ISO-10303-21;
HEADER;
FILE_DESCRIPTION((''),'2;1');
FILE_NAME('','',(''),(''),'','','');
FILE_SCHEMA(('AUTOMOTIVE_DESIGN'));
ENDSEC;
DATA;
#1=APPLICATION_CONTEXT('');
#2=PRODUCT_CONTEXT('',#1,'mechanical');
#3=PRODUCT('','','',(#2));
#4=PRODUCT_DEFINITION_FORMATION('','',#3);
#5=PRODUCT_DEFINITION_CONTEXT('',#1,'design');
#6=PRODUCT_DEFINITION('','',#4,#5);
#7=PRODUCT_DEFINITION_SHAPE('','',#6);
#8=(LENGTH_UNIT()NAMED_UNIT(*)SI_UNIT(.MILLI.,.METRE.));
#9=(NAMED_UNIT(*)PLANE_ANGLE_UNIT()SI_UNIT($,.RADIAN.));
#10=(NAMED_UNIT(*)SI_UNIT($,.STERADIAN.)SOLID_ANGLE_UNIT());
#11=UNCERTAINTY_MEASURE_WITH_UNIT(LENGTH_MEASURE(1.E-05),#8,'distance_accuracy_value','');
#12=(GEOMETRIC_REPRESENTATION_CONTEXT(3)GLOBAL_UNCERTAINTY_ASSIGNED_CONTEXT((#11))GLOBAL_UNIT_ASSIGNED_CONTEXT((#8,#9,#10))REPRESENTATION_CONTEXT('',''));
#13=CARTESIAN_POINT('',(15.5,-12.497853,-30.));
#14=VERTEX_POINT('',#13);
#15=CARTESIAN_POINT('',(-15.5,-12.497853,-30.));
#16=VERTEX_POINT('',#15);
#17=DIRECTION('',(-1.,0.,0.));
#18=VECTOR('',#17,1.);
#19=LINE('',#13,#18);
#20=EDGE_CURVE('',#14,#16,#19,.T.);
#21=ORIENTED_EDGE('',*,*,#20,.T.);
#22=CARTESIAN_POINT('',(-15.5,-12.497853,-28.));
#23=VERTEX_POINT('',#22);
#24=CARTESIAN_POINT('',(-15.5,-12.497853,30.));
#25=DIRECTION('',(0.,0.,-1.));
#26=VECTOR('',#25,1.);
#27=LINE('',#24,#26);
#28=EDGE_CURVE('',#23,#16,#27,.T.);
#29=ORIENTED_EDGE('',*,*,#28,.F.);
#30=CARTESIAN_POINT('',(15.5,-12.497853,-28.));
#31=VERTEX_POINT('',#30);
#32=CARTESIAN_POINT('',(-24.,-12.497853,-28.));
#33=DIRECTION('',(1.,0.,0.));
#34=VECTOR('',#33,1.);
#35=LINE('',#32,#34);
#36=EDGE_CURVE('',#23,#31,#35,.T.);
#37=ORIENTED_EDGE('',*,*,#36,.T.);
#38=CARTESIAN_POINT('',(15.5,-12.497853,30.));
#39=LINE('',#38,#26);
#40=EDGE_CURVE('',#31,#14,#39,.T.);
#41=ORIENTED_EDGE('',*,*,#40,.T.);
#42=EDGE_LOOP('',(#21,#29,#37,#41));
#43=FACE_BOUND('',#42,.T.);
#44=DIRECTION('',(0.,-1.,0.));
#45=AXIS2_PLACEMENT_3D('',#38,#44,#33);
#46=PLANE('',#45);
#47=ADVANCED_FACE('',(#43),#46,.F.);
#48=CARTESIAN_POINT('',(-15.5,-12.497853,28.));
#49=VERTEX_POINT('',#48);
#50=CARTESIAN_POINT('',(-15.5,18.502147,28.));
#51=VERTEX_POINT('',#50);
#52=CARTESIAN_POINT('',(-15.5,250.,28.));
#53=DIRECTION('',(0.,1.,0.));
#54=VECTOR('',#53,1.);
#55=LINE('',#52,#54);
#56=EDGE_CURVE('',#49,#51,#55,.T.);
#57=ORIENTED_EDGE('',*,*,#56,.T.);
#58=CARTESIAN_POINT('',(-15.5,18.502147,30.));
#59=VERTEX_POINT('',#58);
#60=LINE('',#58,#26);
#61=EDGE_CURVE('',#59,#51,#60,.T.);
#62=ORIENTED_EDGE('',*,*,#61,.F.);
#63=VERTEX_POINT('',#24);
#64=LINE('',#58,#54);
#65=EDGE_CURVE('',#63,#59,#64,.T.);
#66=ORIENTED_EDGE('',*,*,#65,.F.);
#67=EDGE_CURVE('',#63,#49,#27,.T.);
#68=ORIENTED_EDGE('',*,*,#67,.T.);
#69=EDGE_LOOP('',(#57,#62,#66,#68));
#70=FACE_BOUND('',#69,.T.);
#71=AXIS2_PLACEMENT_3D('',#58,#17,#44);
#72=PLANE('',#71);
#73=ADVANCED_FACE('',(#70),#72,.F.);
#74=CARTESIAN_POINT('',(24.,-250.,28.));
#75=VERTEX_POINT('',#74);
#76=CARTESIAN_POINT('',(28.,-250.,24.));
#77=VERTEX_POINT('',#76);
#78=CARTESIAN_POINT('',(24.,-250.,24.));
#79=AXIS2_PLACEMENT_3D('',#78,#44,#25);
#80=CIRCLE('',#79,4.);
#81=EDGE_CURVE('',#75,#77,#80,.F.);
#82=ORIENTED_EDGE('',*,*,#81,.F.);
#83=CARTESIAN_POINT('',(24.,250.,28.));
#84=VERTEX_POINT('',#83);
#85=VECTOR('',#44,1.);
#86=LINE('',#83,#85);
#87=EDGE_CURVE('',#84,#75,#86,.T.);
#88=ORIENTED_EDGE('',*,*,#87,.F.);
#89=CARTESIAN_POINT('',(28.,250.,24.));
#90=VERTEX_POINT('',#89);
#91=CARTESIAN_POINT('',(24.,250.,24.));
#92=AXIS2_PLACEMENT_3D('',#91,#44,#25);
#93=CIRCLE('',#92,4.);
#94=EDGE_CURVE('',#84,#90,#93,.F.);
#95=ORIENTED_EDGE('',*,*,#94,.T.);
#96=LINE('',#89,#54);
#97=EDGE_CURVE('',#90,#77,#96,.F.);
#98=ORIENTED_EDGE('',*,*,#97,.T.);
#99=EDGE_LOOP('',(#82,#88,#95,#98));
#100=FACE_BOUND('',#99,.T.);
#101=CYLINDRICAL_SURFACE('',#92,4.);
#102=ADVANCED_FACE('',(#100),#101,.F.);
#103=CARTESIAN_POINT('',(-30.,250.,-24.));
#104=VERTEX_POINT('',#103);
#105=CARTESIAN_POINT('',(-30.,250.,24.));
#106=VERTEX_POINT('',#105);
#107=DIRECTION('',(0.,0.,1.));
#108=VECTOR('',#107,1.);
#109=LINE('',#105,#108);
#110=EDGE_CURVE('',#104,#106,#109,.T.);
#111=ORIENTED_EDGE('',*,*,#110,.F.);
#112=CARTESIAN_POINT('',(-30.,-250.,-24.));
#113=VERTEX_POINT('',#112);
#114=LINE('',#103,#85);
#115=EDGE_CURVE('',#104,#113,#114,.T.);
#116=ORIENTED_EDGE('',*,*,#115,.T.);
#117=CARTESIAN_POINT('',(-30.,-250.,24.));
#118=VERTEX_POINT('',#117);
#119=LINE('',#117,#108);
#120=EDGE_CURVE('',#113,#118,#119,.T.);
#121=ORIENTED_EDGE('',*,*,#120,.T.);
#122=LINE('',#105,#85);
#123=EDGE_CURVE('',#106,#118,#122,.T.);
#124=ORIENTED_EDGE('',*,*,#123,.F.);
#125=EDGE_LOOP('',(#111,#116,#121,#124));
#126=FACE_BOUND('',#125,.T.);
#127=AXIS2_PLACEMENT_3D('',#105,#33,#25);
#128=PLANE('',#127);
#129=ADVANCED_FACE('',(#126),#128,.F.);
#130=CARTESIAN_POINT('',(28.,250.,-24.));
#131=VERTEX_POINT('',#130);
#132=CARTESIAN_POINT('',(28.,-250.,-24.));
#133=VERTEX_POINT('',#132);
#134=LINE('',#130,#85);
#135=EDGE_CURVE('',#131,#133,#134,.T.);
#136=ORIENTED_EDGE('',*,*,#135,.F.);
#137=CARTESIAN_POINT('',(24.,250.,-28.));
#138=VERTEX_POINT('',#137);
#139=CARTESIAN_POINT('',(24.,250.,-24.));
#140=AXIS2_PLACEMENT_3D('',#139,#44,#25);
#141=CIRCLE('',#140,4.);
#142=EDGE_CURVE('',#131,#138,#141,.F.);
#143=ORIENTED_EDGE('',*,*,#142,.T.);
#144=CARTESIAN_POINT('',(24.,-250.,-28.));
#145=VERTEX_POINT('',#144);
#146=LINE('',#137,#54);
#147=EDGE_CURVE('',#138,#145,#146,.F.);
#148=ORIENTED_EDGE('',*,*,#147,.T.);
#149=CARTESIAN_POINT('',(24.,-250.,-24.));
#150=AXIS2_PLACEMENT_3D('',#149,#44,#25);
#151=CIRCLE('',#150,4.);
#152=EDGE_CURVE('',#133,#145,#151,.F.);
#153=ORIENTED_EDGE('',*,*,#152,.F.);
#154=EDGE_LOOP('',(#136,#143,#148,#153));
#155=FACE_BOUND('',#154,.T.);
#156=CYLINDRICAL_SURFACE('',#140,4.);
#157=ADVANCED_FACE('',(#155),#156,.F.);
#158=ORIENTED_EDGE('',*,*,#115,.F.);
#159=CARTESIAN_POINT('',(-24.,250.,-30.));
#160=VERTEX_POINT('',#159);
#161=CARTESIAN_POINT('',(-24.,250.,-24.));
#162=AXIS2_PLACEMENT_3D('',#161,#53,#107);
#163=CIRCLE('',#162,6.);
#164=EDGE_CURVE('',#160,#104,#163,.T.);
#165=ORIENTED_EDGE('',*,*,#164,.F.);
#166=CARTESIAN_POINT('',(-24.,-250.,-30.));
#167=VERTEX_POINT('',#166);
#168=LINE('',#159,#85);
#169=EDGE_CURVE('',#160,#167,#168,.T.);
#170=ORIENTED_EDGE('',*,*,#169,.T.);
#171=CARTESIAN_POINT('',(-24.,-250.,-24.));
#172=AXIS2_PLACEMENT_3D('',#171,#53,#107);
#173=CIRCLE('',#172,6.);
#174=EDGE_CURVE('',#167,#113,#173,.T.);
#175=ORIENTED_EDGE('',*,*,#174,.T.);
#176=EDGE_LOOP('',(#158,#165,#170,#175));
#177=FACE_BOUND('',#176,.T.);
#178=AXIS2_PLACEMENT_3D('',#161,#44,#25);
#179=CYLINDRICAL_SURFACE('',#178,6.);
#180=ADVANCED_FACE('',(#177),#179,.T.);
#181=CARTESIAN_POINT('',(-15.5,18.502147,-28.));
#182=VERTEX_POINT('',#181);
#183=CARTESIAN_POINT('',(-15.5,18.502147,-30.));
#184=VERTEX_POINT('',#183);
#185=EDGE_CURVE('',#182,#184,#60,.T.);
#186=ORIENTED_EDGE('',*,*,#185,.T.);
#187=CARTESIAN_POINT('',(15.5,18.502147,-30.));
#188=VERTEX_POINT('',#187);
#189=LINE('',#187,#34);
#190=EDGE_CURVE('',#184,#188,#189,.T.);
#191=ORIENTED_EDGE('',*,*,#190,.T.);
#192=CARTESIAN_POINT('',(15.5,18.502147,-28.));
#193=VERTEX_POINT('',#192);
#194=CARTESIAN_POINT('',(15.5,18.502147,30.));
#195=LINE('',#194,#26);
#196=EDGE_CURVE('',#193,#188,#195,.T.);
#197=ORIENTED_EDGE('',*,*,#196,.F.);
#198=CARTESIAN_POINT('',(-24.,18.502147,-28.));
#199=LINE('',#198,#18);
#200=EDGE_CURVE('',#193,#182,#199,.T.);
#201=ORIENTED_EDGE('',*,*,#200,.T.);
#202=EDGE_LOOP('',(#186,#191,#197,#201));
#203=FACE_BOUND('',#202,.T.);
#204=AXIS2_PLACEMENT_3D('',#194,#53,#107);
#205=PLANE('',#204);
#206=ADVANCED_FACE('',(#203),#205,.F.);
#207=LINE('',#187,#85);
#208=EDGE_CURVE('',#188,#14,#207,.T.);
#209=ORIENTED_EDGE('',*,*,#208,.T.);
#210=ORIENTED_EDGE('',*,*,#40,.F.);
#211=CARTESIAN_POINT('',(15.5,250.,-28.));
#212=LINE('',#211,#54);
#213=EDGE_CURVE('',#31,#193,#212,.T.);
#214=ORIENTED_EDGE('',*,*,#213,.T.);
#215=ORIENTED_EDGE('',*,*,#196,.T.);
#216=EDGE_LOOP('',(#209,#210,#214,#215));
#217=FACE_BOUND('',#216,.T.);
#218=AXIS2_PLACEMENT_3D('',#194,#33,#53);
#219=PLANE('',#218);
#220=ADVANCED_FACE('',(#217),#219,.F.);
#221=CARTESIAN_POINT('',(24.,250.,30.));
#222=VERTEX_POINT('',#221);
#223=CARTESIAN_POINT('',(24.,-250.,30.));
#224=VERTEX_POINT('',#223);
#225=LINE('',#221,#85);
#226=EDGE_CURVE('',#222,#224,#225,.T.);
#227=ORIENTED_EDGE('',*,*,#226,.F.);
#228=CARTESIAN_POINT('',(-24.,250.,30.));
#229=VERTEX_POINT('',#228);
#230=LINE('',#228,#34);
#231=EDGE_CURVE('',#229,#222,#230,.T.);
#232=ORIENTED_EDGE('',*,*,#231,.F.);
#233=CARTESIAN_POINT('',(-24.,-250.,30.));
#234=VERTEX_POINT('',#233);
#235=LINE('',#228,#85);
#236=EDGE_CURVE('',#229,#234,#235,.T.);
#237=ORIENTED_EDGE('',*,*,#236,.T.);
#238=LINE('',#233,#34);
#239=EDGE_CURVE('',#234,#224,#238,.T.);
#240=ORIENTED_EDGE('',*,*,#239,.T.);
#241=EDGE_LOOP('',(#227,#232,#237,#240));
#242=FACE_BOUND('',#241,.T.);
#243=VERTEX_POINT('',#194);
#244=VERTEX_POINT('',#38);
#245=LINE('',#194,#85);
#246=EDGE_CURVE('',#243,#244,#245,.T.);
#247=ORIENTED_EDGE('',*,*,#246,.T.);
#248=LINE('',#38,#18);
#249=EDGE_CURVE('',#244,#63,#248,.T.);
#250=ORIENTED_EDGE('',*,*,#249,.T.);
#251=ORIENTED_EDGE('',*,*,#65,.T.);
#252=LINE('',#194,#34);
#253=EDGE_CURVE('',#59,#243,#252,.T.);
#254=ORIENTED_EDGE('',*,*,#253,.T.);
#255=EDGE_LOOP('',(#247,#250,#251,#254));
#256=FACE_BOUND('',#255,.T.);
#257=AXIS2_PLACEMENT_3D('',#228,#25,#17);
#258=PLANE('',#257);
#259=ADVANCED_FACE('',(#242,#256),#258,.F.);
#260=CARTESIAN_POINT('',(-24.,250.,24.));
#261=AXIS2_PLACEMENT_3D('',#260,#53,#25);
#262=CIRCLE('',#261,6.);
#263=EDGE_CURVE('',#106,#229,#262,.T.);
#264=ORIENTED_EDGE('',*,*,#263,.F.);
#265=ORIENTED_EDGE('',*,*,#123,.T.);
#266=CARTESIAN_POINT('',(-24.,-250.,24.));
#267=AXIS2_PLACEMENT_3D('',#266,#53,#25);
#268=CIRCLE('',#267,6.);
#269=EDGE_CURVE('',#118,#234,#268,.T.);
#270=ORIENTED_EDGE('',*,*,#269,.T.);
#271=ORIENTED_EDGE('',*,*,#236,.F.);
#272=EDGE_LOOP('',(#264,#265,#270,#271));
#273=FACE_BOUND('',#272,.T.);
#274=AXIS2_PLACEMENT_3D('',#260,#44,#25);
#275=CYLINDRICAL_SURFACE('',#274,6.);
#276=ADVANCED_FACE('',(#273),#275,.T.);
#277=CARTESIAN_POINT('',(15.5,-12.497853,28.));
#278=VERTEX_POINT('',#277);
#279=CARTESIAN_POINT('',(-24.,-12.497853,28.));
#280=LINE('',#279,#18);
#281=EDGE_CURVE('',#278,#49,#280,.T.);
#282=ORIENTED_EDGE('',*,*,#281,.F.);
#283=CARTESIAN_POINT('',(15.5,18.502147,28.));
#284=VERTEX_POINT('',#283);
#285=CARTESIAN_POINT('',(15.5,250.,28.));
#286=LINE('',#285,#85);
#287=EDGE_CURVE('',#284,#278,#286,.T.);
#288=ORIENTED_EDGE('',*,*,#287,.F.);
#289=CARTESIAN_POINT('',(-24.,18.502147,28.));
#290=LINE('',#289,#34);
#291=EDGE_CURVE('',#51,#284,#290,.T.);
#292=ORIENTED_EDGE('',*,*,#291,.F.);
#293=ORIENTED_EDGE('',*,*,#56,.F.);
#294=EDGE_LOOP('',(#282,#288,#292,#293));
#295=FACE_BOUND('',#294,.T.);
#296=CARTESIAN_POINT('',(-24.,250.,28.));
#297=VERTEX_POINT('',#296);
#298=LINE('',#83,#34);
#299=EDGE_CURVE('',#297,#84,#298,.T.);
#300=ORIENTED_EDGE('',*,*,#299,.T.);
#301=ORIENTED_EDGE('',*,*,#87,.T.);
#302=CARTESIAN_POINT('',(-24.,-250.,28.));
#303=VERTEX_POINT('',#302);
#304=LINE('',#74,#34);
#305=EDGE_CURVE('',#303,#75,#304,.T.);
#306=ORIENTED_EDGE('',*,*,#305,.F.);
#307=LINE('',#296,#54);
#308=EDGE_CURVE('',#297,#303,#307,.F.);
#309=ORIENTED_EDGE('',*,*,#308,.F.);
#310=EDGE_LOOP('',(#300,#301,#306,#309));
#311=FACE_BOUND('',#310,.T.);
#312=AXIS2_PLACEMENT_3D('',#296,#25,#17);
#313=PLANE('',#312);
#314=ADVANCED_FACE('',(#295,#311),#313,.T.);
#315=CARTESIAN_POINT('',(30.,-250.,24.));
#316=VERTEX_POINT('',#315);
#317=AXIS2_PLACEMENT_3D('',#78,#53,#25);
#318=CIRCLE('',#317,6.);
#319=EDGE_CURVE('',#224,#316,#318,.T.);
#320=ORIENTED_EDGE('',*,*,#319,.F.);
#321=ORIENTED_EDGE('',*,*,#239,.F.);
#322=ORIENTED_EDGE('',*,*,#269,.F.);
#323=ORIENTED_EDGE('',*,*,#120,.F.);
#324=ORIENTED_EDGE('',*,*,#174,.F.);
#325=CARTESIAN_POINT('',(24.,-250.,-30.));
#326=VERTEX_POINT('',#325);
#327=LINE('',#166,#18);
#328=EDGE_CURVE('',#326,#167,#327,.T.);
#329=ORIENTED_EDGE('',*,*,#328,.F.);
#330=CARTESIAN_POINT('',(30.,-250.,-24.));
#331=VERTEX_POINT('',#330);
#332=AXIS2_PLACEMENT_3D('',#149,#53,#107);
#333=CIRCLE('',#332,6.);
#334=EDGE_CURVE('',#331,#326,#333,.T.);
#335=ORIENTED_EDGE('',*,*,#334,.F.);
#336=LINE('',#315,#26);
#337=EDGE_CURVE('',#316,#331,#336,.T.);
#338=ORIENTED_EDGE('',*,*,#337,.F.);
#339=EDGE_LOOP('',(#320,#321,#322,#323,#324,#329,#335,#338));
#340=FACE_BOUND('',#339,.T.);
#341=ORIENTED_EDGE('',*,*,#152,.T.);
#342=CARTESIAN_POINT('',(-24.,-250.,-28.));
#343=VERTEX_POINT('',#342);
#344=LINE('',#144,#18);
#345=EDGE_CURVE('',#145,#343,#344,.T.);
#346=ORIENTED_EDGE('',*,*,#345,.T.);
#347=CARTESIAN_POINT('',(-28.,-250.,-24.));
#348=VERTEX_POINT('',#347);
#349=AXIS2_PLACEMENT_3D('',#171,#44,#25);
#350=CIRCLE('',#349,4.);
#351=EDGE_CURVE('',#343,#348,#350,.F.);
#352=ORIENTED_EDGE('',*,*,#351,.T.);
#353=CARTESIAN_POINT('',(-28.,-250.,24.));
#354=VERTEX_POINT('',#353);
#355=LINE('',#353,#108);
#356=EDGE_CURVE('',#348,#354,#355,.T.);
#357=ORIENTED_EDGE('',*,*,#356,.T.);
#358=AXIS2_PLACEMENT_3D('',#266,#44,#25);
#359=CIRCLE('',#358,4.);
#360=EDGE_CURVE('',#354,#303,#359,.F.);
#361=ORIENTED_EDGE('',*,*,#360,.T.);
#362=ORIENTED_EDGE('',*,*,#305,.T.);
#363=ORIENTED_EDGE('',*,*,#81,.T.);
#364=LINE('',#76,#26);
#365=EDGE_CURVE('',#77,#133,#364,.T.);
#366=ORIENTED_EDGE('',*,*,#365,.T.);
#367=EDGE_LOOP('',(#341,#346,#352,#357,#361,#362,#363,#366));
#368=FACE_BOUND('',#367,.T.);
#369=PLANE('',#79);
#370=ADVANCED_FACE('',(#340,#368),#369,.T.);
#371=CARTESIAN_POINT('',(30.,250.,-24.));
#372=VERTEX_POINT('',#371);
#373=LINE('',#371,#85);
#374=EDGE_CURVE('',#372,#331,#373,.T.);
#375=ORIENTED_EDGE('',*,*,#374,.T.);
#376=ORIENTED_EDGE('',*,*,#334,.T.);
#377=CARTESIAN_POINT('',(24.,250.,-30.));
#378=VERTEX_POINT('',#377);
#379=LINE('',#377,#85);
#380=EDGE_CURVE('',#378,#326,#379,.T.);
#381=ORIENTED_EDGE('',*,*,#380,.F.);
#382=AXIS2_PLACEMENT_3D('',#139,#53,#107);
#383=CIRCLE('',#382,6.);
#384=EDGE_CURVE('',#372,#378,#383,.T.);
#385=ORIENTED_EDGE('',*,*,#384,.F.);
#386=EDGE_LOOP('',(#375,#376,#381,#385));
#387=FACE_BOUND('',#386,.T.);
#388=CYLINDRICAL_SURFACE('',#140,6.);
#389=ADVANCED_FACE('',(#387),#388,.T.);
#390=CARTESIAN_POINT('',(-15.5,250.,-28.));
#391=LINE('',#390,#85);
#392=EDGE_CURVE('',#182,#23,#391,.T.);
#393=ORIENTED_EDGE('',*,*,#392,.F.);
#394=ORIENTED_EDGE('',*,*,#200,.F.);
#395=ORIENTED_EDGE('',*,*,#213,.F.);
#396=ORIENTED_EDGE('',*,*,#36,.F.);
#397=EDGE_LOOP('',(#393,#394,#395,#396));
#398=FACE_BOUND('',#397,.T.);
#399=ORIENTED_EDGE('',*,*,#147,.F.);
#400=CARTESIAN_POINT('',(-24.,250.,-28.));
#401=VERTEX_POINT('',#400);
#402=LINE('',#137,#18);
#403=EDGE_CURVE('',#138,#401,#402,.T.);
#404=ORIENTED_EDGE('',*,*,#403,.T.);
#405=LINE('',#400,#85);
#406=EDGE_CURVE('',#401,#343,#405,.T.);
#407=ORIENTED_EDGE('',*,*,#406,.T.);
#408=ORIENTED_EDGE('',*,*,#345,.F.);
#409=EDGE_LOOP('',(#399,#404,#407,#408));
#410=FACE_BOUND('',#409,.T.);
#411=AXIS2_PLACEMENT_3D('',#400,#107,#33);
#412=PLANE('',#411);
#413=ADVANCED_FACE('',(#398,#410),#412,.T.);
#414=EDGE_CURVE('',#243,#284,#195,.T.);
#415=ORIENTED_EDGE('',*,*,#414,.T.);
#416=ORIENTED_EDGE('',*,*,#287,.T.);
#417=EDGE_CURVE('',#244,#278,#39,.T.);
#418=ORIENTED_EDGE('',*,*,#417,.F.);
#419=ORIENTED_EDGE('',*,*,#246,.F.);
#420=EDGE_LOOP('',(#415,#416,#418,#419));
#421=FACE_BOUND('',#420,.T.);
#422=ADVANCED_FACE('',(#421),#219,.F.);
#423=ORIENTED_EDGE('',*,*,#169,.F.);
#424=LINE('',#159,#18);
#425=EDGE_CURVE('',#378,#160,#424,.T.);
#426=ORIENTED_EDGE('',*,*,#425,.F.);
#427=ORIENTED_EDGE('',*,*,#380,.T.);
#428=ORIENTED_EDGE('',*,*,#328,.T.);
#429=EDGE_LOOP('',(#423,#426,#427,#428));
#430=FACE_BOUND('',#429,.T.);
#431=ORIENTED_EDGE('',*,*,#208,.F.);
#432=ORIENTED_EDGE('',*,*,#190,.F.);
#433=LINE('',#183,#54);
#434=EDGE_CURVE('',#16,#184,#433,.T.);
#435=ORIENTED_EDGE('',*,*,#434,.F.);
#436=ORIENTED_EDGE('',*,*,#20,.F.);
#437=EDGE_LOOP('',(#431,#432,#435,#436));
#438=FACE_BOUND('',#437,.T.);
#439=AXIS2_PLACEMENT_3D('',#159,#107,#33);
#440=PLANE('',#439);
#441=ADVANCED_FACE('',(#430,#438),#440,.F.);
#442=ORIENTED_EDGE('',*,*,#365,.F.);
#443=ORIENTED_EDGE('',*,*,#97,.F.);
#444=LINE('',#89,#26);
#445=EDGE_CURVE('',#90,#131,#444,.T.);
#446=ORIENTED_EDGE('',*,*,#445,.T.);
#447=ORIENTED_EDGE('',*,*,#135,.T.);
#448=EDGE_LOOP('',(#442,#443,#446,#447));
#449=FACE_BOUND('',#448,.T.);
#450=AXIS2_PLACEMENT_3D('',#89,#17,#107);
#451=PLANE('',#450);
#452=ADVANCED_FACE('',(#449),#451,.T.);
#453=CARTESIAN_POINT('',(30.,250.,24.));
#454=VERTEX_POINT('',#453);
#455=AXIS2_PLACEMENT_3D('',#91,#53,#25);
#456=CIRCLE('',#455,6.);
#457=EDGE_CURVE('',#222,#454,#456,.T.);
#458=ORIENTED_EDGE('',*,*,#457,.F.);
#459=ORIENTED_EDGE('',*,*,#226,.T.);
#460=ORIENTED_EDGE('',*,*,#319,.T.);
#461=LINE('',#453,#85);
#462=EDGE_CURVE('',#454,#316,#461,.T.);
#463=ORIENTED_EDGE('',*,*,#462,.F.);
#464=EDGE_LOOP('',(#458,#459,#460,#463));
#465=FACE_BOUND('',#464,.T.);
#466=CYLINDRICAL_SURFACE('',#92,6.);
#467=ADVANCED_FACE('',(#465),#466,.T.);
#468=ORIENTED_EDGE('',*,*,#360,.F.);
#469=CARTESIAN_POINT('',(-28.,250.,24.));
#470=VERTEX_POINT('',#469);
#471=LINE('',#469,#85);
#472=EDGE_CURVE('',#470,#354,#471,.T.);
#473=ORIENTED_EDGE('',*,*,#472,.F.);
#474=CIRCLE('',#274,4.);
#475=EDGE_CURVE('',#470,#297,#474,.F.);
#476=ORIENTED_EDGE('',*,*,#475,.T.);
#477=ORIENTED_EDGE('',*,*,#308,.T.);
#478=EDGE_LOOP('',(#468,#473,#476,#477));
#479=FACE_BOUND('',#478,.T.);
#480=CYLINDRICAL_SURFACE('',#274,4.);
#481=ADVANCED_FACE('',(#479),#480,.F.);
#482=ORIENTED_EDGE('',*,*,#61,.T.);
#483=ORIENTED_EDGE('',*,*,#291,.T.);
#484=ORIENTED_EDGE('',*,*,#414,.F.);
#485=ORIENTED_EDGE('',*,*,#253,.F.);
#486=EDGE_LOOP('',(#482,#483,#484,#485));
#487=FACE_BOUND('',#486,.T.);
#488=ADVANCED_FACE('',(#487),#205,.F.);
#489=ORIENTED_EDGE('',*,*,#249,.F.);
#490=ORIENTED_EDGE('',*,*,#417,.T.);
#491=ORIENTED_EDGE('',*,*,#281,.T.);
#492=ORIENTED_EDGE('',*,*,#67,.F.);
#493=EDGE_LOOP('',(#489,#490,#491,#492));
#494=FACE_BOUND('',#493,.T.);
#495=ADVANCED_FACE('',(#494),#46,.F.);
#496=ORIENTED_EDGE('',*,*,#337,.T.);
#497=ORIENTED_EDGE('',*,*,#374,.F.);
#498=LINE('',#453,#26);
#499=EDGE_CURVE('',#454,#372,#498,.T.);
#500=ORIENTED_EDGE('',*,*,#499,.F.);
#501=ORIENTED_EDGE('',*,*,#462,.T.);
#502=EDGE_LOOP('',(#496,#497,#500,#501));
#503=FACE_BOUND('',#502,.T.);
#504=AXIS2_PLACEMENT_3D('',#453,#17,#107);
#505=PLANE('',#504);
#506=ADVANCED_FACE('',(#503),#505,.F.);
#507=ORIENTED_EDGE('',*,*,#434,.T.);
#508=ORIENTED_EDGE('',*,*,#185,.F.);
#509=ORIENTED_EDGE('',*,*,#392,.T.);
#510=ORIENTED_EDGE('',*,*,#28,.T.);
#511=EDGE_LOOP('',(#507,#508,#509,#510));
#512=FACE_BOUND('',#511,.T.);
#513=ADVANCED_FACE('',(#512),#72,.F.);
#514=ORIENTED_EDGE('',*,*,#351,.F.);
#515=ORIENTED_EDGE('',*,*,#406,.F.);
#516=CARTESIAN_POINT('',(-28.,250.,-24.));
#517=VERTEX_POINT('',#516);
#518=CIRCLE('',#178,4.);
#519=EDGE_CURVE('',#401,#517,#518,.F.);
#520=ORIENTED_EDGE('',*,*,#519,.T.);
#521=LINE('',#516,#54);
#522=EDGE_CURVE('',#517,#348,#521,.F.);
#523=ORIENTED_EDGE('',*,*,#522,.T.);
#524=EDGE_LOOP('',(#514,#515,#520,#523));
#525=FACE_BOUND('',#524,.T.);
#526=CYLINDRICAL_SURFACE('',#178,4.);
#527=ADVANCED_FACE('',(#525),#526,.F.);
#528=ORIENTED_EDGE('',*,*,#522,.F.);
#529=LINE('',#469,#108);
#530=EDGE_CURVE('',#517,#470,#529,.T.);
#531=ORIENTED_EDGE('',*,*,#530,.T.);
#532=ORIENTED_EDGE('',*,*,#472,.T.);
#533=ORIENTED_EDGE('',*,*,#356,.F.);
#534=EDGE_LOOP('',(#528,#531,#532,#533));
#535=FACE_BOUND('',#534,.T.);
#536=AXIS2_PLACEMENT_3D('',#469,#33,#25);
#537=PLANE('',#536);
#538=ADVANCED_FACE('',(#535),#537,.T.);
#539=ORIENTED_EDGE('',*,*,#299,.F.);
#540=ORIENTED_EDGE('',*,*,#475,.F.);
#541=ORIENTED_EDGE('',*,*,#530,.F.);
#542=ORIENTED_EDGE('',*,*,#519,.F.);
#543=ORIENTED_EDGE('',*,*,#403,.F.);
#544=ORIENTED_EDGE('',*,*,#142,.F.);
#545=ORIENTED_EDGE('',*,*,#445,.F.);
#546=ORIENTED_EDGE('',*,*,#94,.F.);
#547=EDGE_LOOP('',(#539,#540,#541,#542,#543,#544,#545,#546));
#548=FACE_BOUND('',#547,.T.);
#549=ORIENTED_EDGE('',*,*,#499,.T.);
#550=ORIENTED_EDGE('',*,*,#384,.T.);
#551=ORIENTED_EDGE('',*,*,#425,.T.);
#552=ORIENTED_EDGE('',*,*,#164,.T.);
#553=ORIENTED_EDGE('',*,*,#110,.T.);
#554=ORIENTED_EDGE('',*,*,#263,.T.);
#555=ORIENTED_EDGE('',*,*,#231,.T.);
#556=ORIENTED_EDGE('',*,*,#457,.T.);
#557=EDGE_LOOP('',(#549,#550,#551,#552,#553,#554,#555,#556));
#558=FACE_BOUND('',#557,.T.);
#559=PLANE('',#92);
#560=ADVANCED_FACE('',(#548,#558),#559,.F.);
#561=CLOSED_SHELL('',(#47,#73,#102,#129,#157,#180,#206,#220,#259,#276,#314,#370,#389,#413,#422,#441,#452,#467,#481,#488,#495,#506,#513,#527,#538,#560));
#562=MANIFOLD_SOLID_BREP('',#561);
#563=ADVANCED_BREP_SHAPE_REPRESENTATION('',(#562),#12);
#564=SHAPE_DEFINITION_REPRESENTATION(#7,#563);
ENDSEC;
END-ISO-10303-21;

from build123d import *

# Parameters (mm, degrees)
BOSS_EXTRUDE1_DEPTH = 250
SHELL1_T            = -2
SKETCH2_W           = 31
SKETCH2_H           = 31
CUT_EXTRUDE1_DEPTH  = 259.843582111


with BuildPart() as part:
    # Sketch1 → Boss-Extrude1 (new, symmetric)
    with BuildSketch(Plane(origin=(0, 0, 0), x_dir=(1, 0, 0), z_dir=(0, 1, 0))):
        with BuildLine():
            Line((-24, -30), (24, -30))
            ThreePointArc((24, -30), (28.242640687, -28.242640687), (30, -24))
            Line((30, -24), (30, 24))
            ThreePointArc((30, 24), (28.242640687, 28.242640687), (24, 30))
            Line((24, 30), (-24, 30))
            ThreePointArc((-24, 30), (-28.242640687, 28.242640687), (-30, 24))
            Line((-30, 24), (-30, -24))
            ThreePointArc((-30, -24), (-28.242640687, -28.242640687), (-24, -30))
        make_face()
    extrude(amount=BOSS_EXTRUDE1_DEPTH, both=True)

    # Shell1
    shell1_openings = [part.faces().sort_by_distance(p)[0] for p in [
        (0, 250, 0),
        (0, -250, 0),
    ]]
    offset(amount=SHELL1_T, openings=shell1_openings, kind=Kind.INTERSECTION)

    # Sketch2 → Cut-Extrude1 (cut, through all)
    with BuildSketch(Plane(origin=(0, 0, -30), x_dir=(-1, 0, 0), z_dir=(0, 0, -1))):
        with Locations((0, 3.002147222)):
            Rectangle(SKETCH2_W, SKETCH2_H)
    extrude(amount=-CUT_EXTRUDE1_DEPTH, mode=Mode.SUBTRACT)


solid = part.part
